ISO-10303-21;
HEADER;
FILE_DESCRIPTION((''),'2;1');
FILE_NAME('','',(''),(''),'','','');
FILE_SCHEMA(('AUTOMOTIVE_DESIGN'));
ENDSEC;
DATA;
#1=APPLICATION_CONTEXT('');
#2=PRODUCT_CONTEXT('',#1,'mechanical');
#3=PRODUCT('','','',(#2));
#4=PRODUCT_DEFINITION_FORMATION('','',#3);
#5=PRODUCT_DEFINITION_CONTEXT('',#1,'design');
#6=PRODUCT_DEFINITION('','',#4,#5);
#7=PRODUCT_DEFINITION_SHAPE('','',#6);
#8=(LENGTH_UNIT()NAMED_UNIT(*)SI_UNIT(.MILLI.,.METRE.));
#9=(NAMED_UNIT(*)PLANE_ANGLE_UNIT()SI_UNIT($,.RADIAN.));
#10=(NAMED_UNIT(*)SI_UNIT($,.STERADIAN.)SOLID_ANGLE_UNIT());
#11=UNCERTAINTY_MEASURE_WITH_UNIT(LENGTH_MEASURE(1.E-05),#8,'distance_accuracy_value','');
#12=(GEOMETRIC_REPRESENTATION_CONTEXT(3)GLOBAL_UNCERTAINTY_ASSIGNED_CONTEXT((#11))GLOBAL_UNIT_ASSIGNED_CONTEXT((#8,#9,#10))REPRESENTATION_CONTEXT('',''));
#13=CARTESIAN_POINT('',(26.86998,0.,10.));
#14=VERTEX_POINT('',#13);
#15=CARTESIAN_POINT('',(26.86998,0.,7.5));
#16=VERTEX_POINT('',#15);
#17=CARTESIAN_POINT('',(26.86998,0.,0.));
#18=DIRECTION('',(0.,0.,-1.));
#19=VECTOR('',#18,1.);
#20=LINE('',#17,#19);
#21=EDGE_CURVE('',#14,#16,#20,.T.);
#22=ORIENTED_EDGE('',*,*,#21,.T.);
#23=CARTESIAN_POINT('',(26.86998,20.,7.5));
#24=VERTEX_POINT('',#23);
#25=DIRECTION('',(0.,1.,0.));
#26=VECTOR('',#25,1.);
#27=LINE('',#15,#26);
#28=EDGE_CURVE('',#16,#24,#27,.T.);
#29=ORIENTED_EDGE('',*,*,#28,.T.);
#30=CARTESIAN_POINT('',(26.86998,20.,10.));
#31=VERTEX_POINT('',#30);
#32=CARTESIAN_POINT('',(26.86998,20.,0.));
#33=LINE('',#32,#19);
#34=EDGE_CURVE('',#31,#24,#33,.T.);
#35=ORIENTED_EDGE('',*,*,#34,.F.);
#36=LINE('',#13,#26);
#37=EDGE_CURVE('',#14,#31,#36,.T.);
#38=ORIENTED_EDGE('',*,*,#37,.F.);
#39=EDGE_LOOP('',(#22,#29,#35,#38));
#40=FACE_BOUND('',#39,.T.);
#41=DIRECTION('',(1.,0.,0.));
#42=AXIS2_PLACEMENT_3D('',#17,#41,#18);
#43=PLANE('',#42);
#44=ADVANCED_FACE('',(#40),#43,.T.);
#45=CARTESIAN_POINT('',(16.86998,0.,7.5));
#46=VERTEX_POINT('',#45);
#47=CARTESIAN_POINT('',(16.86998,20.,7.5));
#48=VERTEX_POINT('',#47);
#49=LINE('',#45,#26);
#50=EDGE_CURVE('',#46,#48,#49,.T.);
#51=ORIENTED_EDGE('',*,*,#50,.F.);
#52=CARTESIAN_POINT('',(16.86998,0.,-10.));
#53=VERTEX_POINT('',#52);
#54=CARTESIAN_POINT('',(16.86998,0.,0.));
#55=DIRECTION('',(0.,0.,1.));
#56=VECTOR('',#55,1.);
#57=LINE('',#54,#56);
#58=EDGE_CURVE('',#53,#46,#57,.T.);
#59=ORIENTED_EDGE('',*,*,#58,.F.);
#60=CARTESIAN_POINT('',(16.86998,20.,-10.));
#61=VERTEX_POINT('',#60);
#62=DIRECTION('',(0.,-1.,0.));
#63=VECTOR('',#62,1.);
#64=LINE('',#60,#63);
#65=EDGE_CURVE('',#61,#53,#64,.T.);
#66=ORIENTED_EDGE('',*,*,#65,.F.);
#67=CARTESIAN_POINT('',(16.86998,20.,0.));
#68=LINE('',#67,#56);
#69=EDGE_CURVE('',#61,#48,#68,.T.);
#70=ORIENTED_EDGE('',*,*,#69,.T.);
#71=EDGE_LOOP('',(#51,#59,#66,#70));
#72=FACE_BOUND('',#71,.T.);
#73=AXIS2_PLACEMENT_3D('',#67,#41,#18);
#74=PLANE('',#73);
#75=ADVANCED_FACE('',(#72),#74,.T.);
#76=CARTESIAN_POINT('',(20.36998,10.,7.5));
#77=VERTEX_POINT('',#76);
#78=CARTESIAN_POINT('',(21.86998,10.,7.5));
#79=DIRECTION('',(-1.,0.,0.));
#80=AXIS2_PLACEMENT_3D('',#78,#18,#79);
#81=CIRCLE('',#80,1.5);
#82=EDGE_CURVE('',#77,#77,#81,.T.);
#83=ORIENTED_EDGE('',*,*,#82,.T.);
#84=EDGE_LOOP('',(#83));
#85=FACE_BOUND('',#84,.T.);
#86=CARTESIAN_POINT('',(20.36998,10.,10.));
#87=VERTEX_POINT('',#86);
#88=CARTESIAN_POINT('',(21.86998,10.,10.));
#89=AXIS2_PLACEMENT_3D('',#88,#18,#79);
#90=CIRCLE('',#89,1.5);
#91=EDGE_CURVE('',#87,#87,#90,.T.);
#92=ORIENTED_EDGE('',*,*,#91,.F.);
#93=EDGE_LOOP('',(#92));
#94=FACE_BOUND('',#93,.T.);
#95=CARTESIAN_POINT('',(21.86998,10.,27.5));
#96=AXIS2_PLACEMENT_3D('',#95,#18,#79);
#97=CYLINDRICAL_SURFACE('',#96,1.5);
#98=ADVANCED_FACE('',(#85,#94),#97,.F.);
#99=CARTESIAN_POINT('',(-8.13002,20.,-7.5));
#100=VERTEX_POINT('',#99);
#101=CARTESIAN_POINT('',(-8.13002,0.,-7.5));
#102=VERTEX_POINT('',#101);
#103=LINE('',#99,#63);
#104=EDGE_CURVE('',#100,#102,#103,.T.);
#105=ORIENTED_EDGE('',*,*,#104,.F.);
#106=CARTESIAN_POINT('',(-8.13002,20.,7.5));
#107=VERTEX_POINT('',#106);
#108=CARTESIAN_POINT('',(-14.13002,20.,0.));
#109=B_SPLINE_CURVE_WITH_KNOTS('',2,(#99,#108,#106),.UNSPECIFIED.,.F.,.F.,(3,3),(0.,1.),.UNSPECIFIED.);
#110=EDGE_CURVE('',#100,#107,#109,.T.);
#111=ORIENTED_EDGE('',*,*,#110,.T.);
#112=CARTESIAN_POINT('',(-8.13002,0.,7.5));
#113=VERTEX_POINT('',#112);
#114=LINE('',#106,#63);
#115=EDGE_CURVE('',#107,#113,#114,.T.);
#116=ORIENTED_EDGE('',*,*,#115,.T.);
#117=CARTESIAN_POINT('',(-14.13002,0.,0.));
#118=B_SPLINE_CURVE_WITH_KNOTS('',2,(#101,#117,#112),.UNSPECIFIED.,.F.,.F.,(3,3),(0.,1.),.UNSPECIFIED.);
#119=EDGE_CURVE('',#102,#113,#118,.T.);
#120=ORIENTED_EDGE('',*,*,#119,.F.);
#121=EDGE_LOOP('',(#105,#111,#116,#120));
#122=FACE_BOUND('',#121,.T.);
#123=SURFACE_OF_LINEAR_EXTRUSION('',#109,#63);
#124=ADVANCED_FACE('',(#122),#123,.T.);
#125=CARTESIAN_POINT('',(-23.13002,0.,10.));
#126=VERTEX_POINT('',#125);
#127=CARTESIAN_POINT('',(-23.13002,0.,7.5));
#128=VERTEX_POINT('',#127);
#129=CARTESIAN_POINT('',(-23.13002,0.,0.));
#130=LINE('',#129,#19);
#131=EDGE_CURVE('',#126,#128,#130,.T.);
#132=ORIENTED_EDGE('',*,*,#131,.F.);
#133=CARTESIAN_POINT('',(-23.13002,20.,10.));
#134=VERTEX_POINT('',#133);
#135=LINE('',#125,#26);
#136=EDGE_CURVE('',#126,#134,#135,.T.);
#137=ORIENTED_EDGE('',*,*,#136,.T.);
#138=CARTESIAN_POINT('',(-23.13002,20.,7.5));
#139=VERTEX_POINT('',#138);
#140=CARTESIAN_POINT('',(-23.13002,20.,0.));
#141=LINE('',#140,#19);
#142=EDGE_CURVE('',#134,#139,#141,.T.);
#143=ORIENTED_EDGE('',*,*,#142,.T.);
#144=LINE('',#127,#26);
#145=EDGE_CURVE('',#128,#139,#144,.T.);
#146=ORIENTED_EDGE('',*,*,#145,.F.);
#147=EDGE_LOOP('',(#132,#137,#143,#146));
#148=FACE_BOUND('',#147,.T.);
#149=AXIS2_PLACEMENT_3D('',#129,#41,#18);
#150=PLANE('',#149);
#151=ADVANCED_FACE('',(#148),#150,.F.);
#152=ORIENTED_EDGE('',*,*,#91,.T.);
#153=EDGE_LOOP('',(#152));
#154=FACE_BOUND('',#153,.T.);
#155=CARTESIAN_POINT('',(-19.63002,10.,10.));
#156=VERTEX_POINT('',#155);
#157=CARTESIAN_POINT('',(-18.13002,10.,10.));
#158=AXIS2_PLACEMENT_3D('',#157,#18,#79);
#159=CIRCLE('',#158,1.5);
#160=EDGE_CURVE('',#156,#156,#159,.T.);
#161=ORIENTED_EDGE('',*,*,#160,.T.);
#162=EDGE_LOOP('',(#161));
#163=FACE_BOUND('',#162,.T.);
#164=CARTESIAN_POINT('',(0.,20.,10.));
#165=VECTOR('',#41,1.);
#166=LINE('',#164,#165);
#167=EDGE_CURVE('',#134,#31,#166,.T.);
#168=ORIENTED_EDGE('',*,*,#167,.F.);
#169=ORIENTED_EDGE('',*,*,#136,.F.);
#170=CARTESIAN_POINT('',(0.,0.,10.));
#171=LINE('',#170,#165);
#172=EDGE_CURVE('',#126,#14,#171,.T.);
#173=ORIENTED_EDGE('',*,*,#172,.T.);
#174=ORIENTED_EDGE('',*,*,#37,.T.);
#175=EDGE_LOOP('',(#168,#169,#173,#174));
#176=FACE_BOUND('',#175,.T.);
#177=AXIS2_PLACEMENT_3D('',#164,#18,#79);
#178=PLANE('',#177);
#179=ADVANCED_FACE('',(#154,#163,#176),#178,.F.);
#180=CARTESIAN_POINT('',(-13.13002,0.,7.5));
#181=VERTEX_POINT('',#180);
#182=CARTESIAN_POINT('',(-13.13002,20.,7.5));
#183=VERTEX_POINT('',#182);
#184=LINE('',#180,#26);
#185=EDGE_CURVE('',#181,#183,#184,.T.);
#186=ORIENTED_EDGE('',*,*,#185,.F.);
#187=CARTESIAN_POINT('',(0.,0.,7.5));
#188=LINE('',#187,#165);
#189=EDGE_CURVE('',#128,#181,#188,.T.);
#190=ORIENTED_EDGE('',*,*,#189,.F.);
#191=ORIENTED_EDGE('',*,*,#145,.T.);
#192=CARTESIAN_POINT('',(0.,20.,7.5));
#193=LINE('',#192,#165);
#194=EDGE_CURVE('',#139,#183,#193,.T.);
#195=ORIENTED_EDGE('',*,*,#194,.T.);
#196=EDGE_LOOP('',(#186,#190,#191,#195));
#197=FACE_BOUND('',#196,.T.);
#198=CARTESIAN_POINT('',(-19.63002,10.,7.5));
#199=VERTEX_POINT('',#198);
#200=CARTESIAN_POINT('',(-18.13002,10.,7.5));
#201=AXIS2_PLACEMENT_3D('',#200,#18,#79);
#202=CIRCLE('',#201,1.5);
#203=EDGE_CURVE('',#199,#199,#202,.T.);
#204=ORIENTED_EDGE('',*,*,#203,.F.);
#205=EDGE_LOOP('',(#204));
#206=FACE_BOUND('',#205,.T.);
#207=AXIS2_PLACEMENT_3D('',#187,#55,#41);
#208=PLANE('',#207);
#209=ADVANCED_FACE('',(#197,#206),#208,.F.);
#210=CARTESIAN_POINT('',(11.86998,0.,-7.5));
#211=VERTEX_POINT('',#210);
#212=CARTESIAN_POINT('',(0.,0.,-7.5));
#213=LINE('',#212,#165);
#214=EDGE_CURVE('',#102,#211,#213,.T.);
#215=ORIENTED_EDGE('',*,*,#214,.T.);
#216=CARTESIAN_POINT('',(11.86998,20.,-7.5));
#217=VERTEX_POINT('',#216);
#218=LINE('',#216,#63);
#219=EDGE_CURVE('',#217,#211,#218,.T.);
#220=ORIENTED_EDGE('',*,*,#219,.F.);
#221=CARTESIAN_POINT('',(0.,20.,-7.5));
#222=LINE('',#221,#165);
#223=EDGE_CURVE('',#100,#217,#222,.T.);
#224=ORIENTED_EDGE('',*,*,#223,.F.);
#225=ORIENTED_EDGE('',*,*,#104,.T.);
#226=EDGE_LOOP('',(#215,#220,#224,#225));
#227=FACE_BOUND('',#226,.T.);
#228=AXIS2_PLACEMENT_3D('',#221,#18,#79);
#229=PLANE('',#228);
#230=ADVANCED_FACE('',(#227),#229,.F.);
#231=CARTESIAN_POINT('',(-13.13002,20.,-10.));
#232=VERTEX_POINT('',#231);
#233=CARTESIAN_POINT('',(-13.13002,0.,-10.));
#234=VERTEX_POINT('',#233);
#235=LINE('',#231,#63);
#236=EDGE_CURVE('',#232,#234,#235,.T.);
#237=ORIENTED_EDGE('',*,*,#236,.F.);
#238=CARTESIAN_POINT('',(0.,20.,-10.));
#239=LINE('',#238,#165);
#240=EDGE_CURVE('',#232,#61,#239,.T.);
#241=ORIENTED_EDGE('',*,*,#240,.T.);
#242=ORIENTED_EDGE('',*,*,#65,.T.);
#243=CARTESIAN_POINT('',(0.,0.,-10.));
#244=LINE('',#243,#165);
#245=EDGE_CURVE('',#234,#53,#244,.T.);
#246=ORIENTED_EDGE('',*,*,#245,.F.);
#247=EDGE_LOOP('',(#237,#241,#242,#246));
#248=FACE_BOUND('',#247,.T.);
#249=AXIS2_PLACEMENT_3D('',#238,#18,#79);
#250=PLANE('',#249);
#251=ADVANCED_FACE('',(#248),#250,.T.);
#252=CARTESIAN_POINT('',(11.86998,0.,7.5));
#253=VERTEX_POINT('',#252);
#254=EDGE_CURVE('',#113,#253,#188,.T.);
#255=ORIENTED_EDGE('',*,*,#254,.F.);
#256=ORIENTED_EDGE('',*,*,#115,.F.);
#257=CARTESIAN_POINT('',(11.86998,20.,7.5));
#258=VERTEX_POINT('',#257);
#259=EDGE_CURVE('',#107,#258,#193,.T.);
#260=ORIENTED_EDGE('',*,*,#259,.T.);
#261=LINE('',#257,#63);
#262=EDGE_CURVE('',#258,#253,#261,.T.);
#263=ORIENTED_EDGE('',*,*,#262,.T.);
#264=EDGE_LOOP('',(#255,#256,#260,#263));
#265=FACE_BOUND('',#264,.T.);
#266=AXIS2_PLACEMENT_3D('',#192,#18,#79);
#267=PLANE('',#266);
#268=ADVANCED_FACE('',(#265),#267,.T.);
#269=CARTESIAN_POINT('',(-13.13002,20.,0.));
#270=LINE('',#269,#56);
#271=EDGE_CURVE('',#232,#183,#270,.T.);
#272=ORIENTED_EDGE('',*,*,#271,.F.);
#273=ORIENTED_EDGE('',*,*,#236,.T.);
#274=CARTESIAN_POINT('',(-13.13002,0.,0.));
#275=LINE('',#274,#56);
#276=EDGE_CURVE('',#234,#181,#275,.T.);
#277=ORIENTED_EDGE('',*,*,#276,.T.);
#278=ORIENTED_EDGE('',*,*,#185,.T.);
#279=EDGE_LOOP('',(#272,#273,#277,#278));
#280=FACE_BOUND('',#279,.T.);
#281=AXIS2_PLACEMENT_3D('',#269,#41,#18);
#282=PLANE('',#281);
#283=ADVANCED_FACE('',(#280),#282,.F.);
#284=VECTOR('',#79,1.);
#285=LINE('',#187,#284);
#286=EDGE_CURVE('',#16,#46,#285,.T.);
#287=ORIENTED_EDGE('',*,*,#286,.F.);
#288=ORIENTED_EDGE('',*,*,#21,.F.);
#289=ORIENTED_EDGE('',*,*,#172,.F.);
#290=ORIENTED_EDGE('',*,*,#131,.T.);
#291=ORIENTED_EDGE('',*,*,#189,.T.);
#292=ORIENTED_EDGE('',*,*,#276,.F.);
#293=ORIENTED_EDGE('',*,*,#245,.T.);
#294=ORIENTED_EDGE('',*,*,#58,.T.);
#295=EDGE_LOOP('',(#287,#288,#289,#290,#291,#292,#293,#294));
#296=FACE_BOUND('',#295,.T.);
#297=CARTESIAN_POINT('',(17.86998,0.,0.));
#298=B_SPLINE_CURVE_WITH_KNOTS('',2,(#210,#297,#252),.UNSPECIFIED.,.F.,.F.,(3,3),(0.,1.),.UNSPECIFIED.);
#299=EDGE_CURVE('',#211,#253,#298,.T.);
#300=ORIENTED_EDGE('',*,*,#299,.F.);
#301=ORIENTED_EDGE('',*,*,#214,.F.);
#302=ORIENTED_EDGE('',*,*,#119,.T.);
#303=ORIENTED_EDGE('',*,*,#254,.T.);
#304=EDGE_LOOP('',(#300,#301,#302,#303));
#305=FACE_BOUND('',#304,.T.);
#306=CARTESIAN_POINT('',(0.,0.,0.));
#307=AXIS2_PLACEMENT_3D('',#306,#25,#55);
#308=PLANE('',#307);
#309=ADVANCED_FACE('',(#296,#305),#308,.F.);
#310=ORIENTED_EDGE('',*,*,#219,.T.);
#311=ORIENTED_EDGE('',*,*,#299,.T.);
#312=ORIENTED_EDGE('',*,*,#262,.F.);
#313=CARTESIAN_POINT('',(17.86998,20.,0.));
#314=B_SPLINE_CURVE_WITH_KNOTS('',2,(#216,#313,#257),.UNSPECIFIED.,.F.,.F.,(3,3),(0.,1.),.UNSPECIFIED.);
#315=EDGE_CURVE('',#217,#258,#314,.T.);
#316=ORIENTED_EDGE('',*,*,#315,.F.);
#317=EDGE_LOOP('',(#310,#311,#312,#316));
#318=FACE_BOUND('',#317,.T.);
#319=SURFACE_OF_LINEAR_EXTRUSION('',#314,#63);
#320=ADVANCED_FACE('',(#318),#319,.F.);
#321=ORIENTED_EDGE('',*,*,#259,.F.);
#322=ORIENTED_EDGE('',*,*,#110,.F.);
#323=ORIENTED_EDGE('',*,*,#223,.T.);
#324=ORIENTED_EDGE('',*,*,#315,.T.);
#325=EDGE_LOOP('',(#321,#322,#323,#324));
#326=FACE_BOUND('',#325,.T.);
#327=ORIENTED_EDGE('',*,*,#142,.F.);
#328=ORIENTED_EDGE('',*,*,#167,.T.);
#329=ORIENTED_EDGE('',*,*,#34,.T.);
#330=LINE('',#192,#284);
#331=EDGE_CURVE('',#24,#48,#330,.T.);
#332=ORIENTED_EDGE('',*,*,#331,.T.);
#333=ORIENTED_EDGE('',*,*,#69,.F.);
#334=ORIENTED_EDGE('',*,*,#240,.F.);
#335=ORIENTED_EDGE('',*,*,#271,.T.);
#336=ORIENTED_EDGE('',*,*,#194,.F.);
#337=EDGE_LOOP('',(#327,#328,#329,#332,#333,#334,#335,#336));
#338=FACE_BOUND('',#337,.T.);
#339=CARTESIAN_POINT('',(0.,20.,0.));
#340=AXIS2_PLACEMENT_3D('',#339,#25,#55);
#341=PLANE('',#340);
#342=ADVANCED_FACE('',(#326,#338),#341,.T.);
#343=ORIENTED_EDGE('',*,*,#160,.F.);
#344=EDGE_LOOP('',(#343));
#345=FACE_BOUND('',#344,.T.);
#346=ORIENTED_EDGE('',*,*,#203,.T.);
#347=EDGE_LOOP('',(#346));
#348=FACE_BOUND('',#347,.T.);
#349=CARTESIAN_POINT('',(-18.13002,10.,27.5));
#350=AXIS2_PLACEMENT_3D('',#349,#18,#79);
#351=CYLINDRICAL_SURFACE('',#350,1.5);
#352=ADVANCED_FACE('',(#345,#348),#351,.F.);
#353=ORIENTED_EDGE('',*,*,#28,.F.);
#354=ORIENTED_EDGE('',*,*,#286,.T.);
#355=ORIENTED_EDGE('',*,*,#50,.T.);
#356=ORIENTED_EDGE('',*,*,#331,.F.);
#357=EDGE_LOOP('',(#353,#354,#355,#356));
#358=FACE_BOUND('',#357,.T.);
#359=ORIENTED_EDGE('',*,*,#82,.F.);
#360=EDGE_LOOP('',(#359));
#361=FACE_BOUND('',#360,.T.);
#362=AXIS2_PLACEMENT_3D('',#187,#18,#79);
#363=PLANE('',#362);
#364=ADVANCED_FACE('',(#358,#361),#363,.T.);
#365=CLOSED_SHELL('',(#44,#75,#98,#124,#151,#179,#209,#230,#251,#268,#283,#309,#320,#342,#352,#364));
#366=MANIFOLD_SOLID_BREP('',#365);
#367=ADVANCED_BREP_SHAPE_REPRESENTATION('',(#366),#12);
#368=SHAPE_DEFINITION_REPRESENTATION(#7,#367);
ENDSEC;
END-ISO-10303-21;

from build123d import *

# Parameters (mm, degrees)
BOSS_EXTRUDE3_DEPTH = 20
SKETCH2_W           = 10
SKETCH2_H           = 2.5
BOSS_EXTRUDE6_DEPTH = 20
SKETCH5_R           = 1.5
CUT_EXTRUDE1_DEPTH  = 20


with BuildPart() as part:
    # Sketch1 → Boss-Extrude3 (new body)
    with BuildSketch(Plane(origin=(0, 0, 0), x_dir=(1, 0, 0), z_dir=(0, 1, 0))):
        with BuildLine():
            add(Edge.make_bspline(
                [(-8.130019969, 7.5), (-11.130019969, 3.75), (-11.130019969, 0)],
                knots=[0, 0, 0, 0.5, 0.5, 0.5], degree=2))
            Line((-8.130019969, 7.5), (-13.130019969, 7.5))
            Line((-13.130019969, 7.5), (-13.130019969, -10))
            Line((-13.130019969, -10), (16.869980031, -10))
            Line((16.869980031, -10), (16.869980031, -7.5))
            Line((16.869980031, -7.5), (11.869980031, -7.5))
            Line((11.869980031, -7.5), (-8.130019969, -7.5))
            add(Edge.make_bspline(
                [(-11.130019969, 0), (-11.130019969, -3.75), (-8.130019969, -7.5)],
                knots=[0.5, 0.5, 0.5, 1, 1, 1], degree=2))
        make_face()
        with BuildLine():
            Line((-13.130019969, 7.5), (-8.130019969, 7.5))
            Line((-8.130019969, 7.5), (11.869980031, 7.5))
            add(Edge.make_bspline(
                [(11.869980031, 7.5), (14.869980031, 3.75), (14.869980031, 0)],
                knots=[0, 0, 0, 0.5, 0.5, 0.5], degree=2))
            add(Edge.make_bspline(
                [(14.869980031, 0), (14.869980031, -3.75), (11.869980031, -7.5)],
                knots=[0.5, 0.5, 0.5, 1, 1, 1], degree=2))
            Line((11.869980031, -7.5), (16.869980031, -7.5))
            Line((16.869980031, -7.5), (16.869980031, 10))
            Line((16.869980031, 10), (-13.130019969, 10))
            Line((-13.130019969, 10), (-13.130019969, 7.5))
        make_face()
    extrude(amount=BOSS_EXTRUDE3_DEPTH)

    # Sketch2 → Boss-Extrude6 (add)
    with BuildSketch(Plane(origin=(0, 20, 0), x_dir=(1, 0, 0), z_dir=(0, 1, 0))):
        with Locations((21.869980031, -8.75)):
            Rectangle(SKETCH2_W, SKETCH2_H)
        with Locations((-18.130019969, -8.75)):
            Rectangle(SKETCH2_W, SKETCH2_H)
    extrude(amount=-BOSS_EXTRUDE6_DEPTH)

    # Sketch5 → Cut-Extrude1 (cut)
    with BuildSketch(Plane(origin=(0, 0, 7.5), x_dir=(-1, 0, 0), z_dir=(0, 0, -1))):
        with Locations((18.130019969, 10)):
            Circle(SKETCH5_R)
        with Locations((-21.869980031, 10)):
            Circle(SKETCH5_R)
    extrude(amount=-CUT_EXTRUDE1_DEPTH, mode=Mode.SUBTRACT)


solid = part.part
